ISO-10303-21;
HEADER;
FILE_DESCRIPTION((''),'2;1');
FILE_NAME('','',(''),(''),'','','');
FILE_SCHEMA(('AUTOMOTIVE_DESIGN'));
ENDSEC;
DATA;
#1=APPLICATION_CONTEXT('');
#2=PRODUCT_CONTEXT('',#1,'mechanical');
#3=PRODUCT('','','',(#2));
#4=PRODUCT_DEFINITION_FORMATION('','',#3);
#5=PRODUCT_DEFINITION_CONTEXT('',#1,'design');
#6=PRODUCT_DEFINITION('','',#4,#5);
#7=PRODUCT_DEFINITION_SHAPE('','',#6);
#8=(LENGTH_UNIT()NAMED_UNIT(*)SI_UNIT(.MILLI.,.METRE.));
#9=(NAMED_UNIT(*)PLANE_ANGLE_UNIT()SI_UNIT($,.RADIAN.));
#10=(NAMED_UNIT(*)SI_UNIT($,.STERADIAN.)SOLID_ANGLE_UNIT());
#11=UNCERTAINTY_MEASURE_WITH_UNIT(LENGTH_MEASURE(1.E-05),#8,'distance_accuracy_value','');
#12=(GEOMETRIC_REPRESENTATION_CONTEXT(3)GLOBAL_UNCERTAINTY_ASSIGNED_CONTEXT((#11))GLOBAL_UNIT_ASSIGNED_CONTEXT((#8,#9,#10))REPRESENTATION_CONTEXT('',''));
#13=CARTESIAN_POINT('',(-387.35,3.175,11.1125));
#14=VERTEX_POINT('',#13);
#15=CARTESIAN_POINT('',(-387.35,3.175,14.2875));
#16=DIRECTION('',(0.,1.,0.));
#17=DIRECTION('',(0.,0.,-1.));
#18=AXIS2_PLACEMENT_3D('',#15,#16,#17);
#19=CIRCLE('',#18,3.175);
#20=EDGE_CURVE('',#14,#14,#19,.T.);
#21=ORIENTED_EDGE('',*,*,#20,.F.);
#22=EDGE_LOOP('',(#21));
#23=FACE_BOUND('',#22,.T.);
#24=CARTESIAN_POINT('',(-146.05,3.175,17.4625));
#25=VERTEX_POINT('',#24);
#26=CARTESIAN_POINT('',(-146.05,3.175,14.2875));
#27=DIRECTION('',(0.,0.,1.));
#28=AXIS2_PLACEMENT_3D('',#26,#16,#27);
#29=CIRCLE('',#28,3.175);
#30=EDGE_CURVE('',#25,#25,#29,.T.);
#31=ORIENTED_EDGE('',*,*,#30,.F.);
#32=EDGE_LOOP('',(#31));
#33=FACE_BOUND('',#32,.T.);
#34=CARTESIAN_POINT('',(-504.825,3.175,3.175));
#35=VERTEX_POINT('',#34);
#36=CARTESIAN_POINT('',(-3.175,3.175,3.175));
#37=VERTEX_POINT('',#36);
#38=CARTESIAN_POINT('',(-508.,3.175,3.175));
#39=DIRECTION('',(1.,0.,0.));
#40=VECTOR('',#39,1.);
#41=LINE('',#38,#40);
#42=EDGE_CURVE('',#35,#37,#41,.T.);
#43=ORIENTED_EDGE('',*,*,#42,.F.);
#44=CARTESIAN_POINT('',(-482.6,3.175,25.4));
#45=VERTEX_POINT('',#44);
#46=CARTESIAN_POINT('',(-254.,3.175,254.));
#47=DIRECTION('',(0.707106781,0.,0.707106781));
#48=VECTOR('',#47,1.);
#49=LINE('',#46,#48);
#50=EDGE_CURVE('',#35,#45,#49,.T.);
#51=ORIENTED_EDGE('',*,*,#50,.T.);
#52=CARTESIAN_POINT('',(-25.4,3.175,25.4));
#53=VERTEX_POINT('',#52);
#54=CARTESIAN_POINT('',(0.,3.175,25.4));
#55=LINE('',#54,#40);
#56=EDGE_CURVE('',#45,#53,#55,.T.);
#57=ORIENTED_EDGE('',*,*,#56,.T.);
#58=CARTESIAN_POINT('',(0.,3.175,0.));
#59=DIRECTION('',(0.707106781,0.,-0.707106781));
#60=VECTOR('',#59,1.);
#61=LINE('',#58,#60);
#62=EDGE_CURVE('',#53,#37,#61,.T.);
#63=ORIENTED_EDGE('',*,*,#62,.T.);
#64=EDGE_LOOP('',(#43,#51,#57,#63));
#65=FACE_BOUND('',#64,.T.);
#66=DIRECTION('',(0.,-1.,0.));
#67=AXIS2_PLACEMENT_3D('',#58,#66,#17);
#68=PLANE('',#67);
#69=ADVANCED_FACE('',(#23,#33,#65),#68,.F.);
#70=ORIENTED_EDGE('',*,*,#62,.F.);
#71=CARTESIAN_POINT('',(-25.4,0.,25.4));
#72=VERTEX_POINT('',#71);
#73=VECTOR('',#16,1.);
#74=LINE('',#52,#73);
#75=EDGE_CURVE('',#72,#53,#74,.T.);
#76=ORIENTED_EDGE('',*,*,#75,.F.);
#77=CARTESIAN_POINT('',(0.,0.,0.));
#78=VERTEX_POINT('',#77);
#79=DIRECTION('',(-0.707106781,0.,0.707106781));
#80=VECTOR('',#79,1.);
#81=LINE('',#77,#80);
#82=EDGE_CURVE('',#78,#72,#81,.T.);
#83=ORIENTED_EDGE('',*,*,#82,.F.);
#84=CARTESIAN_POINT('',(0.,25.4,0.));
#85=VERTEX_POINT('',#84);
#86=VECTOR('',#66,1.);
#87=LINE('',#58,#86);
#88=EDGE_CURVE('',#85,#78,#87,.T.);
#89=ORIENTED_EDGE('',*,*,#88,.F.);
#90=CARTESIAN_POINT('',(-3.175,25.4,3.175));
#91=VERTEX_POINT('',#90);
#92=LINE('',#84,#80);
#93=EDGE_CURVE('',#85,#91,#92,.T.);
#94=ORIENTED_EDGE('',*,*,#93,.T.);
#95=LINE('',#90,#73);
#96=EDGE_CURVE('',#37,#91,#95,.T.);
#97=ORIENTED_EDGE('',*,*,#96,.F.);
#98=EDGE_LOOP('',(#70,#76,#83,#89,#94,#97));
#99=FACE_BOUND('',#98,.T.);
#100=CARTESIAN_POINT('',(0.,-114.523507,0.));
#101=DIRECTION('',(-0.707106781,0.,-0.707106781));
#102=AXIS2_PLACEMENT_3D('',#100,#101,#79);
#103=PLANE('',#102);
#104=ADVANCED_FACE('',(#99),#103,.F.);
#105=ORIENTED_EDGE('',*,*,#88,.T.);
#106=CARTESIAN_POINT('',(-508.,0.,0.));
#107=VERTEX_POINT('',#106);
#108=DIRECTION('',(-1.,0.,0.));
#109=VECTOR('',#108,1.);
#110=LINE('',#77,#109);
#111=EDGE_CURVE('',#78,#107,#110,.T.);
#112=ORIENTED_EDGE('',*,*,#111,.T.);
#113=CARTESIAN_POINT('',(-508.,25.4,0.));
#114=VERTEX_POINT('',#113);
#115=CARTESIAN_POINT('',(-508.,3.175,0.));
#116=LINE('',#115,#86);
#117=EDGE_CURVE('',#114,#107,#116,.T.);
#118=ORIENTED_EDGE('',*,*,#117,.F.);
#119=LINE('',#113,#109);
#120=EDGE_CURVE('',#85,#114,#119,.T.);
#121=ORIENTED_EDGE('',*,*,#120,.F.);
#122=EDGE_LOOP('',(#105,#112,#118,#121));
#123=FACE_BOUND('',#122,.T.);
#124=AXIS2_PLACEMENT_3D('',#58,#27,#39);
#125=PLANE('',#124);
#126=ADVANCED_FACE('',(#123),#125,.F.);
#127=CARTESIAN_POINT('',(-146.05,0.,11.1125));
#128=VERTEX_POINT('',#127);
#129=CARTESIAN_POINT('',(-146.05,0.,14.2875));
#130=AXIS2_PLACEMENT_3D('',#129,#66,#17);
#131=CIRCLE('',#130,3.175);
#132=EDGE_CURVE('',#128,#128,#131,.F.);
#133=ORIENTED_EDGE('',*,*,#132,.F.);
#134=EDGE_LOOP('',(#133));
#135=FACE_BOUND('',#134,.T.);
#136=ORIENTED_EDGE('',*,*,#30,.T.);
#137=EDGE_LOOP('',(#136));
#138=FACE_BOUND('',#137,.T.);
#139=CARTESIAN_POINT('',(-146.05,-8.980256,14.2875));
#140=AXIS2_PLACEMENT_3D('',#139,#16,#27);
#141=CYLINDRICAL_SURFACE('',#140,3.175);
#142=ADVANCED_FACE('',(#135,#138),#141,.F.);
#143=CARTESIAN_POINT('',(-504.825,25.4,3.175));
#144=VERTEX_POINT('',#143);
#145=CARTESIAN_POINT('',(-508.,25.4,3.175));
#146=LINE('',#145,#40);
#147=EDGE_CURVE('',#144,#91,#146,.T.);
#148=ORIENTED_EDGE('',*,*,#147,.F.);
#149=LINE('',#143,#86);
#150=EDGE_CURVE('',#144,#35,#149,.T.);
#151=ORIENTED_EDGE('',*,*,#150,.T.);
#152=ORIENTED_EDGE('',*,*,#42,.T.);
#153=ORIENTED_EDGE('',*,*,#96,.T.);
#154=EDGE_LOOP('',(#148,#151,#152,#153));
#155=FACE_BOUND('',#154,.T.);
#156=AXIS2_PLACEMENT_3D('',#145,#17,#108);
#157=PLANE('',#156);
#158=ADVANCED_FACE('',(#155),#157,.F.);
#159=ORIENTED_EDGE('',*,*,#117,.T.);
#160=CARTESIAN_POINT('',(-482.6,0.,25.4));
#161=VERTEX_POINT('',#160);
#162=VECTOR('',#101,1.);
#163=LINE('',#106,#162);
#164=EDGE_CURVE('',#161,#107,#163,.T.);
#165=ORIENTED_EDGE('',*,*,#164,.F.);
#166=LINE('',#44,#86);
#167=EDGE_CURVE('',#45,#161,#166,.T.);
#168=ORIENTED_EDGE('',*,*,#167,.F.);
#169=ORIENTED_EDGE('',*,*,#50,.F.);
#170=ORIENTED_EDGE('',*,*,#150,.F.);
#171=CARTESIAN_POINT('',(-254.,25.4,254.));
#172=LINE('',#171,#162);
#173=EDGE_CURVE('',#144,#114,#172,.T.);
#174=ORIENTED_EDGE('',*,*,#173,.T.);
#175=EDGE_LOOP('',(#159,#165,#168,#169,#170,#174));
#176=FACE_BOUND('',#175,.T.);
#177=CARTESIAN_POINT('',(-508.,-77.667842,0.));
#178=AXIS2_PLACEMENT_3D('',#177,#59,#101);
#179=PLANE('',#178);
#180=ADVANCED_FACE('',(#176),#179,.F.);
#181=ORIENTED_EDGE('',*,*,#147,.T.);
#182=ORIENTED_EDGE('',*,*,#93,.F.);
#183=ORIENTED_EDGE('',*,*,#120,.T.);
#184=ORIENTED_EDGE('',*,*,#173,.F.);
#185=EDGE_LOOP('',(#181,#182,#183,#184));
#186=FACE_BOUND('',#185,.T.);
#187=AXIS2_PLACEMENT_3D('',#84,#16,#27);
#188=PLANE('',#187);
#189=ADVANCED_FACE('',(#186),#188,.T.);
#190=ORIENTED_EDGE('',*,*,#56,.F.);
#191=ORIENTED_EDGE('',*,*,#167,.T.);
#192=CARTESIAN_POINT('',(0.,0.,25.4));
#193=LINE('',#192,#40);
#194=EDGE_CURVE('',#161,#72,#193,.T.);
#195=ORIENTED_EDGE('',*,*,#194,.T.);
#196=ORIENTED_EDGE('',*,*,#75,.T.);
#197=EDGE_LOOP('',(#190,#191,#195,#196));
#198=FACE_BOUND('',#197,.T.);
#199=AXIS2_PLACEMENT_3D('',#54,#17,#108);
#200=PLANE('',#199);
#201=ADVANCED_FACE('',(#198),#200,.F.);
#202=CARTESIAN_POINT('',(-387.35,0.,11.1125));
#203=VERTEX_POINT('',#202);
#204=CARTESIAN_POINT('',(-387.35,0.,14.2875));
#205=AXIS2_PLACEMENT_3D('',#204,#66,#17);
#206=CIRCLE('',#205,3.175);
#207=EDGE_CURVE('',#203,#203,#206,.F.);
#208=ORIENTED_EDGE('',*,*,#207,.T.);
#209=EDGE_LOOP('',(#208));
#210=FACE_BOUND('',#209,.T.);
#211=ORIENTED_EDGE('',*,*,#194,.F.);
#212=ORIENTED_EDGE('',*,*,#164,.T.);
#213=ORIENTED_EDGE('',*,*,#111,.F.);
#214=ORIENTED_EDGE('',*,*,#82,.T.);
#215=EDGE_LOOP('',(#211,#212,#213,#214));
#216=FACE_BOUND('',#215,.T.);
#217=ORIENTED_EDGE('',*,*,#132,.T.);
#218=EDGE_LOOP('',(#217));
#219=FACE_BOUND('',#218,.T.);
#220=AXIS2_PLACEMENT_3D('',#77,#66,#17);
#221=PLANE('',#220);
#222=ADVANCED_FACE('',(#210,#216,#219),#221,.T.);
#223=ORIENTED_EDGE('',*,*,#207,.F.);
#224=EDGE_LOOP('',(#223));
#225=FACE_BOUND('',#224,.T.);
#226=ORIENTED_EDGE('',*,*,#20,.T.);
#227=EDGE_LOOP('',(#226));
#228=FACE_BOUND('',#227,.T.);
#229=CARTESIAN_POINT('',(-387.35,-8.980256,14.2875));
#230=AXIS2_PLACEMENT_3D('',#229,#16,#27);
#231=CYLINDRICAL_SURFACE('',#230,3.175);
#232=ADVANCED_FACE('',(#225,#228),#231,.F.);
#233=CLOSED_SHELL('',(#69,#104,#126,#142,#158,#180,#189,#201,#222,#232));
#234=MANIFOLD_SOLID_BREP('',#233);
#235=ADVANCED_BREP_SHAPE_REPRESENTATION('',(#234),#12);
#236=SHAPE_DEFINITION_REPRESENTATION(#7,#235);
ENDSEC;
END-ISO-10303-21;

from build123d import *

# Parameters (mm, degrees)
SKETCH1_W           = 508
SKETCH1_H           = 25.4
BOSS_EXTRUDE1_DEPTH = 3.175
SKETCH2_W           = 508
SKETCH2_H           = 3.175
BOSS_EXTRUDE2_DEPTH = 22.225
CUT_EXTRUDE4_DEPTH  = 25.4
SKETCH6_R           = 3.175
CUT_EXTRUDE5_DEPTH  = 3.175
CUT_EXTRUDE6_DEPTH  = 25.4


with BuildPart() as part:
    # Sketch1 → Boss-Extrude1 (new body)
    with BuildSketch(Plane(origin=(0, 0, 0), x_dir=(1, 0, 0), z_dir=(0, 1, 0))):
        with Locations((-254, -12.7)):
            Rectangle(SKETCH1_W, SKETCH1_H)
    extrude(amount=BOSS_EXTRUDE1_DEPTH)

    # Sketch2 → Boss-Extrude2 (add)
    with BuildSketch(Plane(origin=(0, 3.175, 0), x_dir=(1, 0, 0), z_dir=(0, 1, 0))):
        with Locations((-254, -1.5875)):
            Rectangle(SKETCH2_W, SKETCH2_H)
    extrude(amount=BOSS_EXTRUDE2_DEPTH)

    # Sketch3 → Cut-Extrude4 (cut)
    with BuildSketch(Plane(origin=(0, 25.4, 0), x_dir=(1, 0, 0), z_dir=(0, 1, 0))):
        Polygon((0, 0), (-52.33160776, -52.33160776), (49.536132654, -29.784007044), align=None)
    extrude(amount=-CUT_EXTRUDE4_DEPTH, mode=Mode.SUBTRACT)

    # Sketch6 → Cut-Extrude5 (cut)
    with BuildSketch(Plane(origin=(0, 3.175, 0), x_dir=(1, 0, 0), z_dir=(0, 1, 0))):
        with Locations((-146.05, -14.2875)):
            Circle(SKETCH6_R)
        with Locations((-387.35, -14.2875)):
            Circle(SKETCH6_R)
    extrude(amount=-CUT_EXTRUDE5_DEPTH, mode=Mode.SUBTRACT)

    # Sketch7 → Cut-Extrude6 (cut)
    with BuildSketch(Plane(origin=(0, 25.4, 0), x_dir=(1, 0, 0), z_dir=(0, 1, 0))):
        Polygon((-508, 0), (-469.606769631, -38.393230369), (-537.121608827, -29.121608827), align=None)
    extrude(amount=-CUT_EXTRUDE6_DEPTH, mode=Mode.SUBTRACT)


solid = part.part
